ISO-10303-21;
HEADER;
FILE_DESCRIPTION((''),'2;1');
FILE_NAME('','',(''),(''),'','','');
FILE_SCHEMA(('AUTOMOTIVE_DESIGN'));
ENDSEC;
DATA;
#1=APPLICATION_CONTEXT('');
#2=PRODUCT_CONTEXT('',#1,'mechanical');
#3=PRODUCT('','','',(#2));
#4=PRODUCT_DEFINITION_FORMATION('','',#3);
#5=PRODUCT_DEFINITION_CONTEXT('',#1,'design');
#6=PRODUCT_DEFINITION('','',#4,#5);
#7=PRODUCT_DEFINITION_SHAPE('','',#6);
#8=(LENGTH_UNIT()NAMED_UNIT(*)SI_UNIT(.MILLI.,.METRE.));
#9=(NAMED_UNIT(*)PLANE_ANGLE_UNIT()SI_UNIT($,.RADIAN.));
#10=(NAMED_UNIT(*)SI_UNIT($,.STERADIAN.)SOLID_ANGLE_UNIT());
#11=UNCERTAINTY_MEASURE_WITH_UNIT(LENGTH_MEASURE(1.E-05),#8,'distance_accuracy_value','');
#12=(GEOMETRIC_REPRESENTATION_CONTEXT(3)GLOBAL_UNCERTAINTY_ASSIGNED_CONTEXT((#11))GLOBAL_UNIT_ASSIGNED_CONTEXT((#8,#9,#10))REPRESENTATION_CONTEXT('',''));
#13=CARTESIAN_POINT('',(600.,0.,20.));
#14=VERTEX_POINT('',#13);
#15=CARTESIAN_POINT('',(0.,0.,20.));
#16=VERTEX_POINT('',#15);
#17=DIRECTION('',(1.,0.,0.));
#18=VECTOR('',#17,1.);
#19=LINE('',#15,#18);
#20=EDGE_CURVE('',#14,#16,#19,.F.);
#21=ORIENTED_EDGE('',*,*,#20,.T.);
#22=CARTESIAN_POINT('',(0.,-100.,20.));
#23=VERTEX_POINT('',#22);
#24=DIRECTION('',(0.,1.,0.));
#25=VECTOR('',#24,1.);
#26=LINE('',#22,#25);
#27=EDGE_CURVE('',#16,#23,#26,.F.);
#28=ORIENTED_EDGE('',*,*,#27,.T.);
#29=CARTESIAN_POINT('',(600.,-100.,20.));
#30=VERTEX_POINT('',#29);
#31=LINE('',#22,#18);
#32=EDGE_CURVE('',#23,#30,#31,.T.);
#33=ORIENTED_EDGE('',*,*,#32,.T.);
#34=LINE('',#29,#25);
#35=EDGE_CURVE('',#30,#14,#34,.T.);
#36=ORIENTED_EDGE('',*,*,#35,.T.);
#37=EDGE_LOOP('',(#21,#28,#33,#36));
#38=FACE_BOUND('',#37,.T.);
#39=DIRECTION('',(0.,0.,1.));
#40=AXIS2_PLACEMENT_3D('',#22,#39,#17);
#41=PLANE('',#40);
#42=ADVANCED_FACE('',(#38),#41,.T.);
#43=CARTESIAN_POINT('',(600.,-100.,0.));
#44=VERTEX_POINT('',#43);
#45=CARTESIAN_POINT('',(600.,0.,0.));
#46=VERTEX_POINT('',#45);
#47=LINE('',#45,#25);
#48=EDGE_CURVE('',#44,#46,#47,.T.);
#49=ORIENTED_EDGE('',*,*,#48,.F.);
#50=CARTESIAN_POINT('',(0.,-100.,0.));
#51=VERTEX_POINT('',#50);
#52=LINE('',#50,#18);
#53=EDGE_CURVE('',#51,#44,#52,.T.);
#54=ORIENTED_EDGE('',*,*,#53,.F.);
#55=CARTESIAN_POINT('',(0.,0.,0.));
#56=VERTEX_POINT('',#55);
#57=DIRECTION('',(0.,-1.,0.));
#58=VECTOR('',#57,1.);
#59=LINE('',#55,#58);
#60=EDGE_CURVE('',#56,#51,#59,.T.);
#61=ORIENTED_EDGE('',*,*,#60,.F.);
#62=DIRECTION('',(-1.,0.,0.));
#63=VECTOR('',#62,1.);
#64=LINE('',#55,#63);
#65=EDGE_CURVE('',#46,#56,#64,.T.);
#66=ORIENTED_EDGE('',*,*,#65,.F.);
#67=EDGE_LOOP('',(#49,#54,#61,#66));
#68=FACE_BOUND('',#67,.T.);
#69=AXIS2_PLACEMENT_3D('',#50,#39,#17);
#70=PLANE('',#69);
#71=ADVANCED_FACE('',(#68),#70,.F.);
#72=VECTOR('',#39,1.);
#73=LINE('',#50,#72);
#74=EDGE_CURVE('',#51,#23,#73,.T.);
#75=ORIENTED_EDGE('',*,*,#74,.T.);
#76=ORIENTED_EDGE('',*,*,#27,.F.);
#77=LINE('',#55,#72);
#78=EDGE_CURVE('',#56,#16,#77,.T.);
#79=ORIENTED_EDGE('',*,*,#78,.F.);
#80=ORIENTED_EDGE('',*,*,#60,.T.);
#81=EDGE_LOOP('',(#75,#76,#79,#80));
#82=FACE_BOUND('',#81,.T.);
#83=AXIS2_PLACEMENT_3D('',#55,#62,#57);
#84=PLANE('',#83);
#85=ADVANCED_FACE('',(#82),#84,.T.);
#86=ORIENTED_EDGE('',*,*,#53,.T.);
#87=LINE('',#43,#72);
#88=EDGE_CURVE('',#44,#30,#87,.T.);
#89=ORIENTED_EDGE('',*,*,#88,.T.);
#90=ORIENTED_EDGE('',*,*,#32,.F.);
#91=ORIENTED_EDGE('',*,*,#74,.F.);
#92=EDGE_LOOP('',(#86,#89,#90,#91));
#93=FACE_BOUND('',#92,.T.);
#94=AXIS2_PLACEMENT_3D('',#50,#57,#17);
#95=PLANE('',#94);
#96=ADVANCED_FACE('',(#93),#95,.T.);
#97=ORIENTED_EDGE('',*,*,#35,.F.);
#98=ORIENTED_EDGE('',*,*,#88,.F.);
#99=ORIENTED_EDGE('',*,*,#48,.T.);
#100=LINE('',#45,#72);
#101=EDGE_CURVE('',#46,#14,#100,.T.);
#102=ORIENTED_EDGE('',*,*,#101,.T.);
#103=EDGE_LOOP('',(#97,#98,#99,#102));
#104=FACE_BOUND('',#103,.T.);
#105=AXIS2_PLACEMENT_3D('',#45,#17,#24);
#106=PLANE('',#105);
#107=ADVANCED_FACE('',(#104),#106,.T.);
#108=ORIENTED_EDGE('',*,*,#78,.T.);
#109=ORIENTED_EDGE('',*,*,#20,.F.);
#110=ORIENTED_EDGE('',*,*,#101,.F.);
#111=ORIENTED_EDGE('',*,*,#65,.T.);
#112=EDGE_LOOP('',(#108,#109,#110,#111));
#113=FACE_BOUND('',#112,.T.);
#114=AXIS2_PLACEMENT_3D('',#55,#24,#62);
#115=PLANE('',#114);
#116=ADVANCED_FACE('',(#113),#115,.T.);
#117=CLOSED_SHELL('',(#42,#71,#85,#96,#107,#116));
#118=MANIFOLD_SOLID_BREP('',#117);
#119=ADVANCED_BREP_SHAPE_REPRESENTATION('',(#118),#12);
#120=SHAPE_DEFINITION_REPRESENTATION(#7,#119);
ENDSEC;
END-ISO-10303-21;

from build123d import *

# Parameters (mm, degrees)
SKETCH1_W   = 600
SKETCH1_H   = 100
THICKEN1_T1 = 20


with BuildPart() as body_1:
    # Sketch1 → Surface-Plane1: a flat surface bounded by the sketch
    with BuildSketch(Plane.XY, mode=Mode.PRIVATE) as surface_plane1_1_region:
        with Locations((300, -50)):
            Rectangle(SKETCH1_W, SKETCH1_H)
    surface_plane1_1 = surface_plane1_1_region.sketch.faces()[0]
    add(Solid.thicken(surface_plane1_1, THICKEN1_T1))


solid = body_1.part
